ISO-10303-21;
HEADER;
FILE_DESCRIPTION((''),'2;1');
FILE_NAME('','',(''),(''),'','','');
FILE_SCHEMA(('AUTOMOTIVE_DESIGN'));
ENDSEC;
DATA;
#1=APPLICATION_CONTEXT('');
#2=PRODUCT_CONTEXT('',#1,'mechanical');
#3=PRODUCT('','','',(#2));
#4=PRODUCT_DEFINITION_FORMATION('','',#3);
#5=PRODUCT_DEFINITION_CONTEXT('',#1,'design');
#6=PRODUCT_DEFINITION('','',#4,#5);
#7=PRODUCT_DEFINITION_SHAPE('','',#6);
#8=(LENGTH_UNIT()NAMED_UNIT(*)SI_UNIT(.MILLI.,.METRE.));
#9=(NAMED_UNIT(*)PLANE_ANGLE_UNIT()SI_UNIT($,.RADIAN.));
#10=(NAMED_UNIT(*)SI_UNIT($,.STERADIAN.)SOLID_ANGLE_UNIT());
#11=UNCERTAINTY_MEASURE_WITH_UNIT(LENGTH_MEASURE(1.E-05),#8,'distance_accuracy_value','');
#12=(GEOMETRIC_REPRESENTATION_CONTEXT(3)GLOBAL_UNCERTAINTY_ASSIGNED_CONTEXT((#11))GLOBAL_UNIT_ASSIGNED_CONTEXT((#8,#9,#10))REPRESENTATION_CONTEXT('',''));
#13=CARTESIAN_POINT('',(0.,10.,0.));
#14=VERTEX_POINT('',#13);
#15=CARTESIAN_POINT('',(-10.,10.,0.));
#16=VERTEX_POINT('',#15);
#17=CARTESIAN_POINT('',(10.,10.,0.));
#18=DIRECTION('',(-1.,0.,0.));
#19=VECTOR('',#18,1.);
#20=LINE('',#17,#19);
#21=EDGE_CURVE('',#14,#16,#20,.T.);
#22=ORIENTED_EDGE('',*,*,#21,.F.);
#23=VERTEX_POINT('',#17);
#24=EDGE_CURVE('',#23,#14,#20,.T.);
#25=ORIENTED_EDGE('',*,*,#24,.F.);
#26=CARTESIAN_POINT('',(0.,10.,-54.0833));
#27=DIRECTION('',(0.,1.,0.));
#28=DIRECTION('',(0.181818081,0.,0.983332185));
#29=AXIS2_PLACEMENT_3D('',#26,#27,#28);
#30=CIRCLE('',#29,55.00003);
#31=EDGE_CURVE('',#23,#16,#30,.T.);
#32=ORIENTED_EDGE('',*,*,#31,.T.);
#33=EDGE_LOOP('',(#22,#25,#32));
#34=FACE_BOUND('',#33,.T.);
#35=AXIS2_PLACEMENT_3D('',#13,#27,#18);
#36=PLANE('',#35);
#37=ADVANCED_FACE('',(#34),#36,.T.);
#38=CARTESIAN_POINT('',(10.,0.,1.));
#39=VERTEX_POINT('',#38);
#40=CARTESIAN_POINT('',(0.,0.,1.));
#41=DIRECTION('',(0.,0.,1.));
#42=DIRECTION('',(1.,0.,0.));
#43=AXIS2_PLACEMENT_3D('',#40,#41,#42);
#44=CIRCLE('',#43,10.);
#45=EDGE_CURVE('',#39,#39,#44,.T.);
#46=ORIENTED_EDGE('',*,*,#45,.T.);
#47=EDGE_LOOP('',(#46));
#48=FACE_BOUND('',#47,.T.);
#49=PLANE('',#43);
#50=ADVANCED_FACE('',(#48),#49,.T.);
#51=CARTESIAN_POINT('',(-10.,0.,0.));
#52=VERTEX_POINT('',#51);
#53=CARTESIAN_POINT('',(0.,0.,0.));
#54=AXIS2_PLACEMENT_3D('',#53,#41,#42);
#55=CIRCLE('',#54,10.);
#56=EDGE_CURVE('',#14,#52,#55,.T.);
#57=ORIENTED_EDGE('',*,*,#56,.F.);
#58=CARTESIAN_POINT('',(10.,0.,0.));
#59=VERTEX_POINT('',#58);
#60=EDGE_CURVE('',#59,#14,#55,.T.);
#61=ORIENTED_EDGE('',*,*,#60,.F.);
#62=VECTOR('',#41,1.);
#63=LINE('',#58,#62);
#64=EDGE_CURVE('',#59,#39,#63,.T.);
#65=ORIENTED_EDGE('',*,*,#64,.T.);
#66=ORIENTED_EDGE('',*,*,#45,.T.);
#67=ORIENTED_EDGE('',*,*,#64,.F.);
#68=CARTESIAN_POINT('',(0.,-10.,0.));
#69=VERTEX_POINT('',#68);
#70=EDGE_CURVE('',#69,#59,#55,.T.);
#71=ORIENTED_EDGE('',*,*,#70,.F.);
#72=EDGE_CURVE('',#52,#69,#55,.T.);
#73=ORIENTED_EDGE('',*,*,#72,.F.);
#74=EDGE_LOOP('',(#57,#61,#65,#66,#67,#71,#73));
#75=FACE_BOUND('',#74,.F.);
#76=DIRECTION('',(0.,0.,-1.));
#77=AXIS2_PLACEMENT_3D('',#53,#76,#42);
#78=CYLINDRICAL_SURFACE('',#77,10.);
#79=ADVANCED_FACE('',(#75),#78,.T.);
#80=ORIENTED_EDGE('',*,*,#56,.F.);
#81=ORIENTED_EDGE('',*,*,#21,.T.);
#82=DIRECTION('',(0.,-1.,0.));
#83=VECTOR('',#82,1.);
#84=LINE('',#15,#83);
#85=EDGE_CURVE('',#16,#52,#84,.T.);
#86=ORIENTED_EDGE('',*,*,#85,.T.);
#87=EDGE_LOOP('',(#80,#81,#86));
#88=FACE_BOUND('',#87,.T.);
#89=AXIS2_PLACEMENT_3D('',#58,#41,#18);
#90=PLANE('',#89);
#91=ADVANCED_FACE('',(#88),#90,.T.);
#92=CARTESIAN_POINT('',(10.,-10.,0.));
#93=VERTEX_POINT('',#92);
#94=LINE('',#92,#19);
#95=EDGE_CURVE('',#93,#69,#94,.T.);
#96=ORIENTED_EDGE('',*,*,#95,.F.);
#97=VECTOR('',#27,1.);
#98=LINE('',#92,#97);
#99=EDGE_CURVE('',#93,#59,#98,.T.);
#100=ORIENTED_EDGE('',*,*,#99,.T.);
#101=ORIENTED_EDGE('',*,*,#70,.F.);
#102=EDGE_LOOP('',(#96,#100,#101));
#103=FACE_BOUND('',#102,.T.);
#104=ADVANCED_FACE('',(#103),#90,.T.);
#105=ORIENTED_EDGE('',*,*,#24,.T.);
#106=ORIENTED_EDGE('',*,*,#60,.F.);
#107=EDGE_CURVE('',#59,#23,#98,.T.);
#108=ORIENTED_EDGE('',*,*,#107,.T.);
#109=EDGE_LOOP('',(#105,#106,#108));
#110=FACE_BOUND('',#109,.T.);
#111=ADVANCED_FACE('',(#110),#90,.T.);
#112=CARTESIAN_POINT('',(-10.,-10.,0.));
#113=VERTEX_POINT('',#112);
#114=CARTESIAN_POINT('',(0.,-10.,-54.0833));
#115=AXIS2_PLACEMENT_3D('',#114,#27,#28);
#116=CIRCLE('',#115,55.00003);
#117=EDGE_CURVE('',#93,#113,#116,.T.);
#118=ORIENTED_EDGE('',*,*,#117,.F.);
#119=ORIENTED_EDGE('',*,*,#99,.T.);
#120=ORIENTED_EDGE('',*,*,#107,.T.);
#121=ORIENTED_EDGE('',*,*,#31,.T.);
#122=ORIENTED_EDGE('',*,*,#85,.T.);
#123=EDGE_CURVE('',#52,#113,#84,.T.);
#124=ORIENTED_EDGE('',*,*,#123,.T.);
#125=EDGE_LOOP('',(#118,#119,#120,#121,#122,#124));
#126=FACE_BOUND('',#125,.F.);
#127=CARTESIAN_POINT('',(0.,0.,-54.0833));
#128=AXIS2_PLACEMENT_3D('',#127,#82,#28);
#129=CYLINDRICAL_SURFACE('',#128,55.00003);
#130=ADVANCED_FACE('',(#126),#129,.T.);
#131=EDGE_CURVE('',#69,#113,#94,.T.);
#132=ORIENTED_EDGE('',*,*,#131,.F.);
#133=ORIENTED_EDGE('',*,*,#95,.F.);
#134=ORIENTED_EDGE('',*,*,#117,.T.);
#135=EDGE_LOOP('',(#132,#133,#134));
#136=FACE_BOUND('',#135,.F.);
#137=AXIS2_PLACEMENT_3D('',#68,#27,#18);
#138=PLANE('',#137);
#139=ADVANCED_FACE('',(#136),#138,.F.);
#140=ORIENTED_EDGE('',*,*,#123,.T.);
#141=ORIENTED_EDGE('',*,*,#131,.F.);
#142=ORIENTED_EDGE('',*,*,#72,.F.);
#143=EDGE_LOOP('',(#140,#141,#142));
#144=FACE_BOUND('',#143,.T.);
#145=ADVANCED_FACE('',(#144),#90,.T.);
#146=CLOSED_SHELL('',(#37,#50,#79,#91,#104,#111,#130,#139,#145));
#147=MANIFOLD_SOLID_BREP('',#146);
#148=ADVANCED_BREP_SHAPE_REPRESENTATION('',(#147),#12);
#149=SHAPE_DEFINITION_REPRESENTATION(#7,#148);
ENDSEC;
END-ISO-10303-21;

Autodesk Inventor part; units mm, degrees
ref_plane "YZ Plane" through (0, 0, 0) normal (1, 0, 0) x (0, 1, 0)
ref_plane "XZ Plane" through (0, 0, 0) normal (0, 1, 0) x (-1, 0, 0)
ref_plane "XY Plane" through (0, 0, 0) normal (0, 0, 1) x (1, 0, 0)
sketch "Эскиз1" plane through (0, 0, 0) normal (0, 0, 1) x (1, 0, 0)
  circle A0 centre (0, 0) radius 10
  dimension "d8" = 20
extrude "Выдавливание1" add sketch "Эскиз1" along normal blind 1
sketch "Эскиз3" plane through (0, 0, 0) normal (0, 1, 0) x (-1, 0, 0)
  line L0 (-10, 0) -> (10, 0) projected
  line L1 (-10, 0) -> (10, 0)
  arc A0 (-10, 0) -> (10, 0) centre (0, -54.0833) ccw
  point P0 (0, 0)
  dimension "d5" = 55
extrude "Выдавливание2" add sketch "Эскиз3" along normal mid plane 20
properties part number "ч ASY human dummy 01"
